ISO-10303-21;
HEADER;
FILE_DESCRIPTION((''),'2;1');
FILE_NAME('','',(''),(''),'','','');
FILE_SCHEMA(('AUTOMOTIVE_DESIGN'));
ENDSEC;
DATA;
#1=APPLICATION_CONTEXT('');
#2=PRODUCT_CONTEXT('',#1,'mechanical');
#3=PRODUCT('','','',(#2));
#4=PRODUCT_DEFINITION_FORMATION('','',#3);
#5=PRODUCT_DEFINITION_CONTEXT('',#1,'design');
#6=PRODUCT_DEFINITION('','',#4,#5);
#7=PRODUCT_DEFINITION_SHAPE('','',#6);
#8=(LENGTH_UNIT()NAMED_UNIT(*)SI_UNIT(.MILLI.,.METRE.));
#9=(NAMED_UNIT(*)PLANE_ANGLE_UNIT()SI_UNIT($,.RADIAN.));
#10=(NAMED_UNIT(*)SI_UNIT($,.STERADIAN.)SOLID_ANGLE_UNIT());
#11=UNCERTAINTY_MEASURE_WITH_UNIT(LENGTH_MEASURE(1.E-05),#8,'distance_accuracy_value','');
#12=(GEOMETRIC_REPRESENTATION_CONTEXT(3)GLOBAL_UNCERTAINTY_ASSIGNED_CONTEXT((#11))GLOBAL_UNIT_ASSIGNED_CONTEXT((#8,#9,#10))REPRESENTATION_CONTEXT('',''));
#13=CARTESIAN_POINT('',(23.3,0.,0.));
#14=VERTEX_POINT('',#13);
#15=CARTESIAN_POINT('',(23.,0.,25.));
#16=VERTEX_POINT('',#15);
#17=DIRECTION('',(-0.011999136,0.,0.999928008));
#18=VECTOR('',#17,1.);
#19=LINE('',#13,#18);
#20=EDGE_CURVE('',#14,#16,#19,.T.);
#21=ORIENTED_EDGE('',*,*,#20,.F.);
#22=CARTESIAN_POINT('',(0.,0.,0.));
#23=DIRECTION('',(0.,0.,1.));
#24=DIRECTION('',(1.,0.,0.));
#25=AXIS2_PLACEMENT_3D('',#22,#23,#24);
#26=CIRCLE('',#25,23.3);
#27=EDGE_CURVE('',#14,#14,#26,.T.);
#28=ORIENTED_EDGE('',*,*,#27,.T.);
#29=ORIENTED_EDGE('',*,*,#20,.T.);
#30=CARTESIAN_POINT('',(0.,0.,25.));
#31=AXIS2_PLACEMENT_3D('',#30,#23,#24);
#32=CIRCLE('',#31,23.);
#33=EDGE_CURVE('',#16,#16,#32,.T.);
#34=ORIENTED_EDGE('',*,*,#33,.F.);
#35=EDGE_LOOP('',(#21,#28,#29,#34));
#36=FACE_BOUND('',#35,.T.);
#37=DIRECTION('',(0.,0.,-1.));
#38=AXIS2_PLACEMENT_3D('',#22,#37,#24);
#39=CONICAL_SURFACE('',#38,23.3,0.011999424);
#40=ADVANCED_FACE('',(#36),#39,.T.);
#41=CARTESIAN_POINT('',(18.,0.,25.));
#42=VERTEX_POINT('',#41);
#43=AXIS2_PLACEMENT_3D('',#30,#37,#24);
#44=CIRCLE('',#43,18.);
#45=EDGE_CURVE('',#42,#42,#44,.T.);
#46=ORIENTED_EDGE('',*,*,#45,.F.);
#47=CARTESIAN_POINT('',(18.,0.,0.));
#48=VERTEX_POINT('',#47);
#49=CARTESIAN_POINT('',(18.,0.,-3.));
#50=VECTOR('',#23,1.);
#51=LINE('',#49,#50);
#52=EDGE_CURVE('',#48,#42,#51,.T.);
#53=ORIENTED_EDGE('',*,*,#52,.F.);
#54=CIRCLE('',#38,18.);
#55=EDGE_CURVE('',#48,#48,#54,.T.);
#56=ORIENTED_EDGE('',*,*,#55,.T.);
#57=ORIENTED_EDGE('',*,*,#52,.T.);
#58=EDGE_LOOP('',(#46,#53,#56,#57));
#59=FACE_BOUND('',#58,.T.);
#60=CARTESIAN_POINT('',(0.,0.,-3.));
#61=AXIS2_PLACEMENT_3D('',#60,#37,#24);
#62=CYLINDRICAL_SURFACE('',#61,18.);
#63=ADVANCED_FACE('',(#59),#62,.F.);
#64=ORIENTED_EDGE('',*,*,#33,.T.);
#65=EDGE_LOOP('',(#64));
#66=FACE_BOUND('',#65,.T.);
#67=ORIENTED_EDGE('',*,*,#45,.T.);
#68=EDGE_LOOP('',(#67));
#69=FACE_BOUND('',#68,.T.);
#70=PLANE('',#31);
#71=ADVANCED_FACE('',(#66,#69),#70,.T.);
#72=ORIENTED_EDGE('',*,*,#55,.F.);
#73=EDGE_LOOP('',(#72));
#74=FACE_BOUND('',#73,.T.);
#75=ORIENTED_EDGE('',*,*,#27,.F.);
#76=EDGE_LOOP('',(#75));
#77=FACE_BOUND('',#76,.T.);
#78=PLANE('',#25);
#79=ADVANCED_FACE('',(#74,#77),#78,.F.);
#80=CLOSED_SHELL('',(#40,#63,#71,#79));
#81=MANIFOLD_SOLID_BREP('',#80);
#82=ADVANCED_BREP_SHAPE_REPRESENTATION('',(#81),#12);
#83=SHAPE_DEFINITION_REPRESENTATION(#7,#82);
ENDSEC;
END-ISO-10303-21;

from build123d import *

# Parameters (mm, degrees)
CYLINDER_R     = 18
CYLINDER_DEPTH = 30


with BuildPart() as cilindro:
    # Cylinder → Cylinder (new body)
    with BuildSketch(Plane.XY.offset(-3)):
        Circle(CYLINDER_R)
    extrude(amount=CYLINDER_DEPTH)


with BuildPart() as cut:
    # Cone → Cone (revolve)
    with BuildSketch(Plane.XZ):
        Polygon((0, 0), (23.3, 0), (23, 25), (0, 25), align=None)
    revolve(axis=Axis((0, 0, 0), (0, 0, 1)))

    # Cut: cut Cilindro
    add(cilindro.part, mode=Mode.SUBTRACT)


solid = cut.part
